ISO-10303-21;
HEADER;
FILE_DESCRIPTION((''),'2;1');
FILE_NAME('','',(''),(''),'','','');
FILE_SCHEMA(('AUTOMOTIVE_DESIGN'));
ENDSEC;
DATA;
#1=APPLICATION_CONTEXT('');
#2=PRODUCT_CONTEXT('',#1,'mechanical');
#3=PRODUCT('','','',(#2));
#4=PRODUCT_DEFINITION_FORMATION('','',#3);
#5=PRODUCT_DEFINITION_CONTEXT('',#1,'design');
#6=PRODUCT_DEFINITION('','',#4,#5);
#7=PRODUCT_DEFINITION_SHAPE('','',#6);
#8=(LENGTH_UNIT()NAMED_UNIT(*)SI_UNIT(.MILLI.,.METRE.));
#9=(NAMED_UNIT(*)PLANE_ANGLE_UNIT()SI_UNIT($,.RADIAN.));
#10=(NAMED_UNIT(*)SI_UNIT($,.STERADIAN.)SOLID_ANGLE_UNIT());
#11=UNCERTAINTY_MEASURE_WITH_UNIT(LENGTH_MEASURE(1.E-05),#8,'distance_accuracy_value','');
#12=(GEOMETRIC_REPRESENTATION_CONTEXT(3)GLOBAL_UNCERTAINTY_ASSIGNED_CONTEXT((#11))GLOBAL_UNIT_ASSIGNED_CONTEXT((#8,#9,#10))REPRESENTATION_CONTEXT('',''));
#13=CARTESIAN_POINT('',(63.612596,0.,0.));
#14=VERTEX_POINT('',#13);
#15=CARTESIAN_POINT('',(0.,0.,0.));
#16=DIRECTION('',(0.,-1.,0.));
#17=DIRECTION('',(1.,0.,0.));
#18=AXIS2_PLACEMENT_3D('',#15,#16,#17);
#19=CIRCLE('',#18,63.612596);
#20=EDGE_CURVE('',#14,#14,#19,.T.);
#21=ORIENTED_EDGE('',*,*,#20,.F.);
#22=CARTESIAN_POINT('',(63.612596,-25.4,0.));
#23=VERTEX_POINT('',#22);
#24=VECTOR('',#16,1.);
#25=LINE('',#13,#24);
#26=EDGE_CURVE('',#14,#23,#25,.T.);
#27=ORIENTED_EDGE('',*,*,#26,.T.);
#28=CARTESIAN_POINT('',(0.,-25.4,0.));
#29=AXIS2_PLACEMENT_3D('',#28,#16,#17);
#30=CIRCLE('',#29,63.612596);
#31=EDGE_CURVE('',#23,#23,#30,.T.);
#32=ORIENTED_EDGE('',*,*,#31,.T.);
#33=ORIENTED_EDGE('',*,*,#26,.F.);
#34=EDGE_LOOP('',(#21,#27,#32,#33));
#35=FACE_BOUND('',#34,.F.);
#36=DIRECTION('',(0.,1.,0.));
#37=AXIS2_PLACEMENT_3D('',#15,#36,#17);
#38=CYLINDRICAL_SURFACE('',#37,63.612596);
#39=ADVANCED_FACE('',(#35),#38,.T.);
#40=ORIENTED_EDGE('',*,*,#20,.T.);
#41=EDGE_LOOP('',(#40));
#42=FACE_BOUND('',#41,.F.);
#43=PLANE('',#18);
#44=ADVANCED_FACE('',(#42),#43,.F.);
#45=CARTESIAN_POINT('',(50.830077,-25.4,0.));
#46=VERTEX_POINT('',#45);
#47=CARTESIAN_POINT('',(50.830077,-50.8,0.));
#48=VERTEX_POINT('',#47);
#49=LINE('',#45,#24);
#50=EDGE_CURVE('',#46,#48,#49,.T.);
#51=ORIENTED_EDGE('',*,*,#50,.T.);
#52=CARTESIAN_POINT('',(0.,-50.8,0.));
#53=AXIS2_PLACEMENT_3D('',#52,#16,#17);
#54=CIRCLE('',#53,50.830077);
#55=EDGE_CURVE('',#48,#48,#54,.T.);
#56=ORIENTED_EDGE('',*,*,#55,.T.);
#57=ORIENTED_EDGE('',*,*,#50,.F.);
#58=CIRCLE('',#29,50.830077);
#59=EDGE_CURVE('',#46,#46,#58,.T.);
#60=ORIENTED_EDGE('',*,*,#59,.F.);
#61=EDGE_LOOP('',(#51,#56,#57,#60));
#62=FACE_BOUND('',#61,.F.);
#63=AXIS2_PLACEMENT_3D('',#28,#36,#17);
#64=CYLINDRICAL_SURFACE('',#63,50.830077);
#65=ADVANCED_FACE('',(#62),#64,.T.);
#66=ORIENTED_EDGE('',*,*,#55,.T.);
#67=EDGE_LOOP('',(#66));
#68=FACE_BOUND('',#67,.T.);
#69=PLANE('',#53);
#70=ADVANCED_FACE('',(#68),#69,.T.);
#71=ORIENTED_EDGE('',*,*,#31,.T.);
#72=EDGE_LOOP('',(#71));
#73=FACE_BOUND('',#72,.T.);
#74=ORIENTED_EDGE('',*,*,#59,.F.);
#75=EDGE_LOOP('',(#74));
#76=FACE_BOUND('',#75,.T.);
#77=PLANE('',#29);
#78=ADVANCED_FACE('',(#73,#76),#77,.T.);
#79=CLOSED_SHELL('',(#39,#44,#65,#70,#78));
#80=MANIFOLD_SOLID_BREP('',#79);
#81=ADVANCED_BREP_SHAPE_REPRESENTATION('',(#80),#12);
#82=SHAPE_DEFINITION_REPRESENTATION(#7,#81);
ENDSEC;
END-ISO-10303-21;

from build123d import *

# Parameters (mm, degrees)
F2_W     = 25.016323
F2_H     = 27.49747
F3_DEPTH = 25.4
F0_R     = 63.612596
F1_R     = 32.019182
F4_DEPTH = 25.4
F5_R     = 50.830077
F6_DEPTH = 25.4


with BuildPart() as f3:
    # F2 (on face) → F3 (new body)
    with BuildSketch(Plane.XZ):
        with Locations((0.191535, -0.859296)):
            Rectangle(F2_W, F2_H)
    extrude(amount=F3_DEPTH)

    # F0 (on Front) + F1 (on face) → F4 (join)
    with BuildSketch(Plane.XZ):
        Circle(F0_R)
    with BuildSketch(Plane.XZ):
        Circle(F1_R)
    extrude(amount=F4_DEPTH)

    # F5 (on face) → F6 (join)
    with BuildSketch(Plane.XZ.offset(25.4)):
        Circle(F5_R)
    extrude(amount=F6_DEPTH)


solid = f3.part
